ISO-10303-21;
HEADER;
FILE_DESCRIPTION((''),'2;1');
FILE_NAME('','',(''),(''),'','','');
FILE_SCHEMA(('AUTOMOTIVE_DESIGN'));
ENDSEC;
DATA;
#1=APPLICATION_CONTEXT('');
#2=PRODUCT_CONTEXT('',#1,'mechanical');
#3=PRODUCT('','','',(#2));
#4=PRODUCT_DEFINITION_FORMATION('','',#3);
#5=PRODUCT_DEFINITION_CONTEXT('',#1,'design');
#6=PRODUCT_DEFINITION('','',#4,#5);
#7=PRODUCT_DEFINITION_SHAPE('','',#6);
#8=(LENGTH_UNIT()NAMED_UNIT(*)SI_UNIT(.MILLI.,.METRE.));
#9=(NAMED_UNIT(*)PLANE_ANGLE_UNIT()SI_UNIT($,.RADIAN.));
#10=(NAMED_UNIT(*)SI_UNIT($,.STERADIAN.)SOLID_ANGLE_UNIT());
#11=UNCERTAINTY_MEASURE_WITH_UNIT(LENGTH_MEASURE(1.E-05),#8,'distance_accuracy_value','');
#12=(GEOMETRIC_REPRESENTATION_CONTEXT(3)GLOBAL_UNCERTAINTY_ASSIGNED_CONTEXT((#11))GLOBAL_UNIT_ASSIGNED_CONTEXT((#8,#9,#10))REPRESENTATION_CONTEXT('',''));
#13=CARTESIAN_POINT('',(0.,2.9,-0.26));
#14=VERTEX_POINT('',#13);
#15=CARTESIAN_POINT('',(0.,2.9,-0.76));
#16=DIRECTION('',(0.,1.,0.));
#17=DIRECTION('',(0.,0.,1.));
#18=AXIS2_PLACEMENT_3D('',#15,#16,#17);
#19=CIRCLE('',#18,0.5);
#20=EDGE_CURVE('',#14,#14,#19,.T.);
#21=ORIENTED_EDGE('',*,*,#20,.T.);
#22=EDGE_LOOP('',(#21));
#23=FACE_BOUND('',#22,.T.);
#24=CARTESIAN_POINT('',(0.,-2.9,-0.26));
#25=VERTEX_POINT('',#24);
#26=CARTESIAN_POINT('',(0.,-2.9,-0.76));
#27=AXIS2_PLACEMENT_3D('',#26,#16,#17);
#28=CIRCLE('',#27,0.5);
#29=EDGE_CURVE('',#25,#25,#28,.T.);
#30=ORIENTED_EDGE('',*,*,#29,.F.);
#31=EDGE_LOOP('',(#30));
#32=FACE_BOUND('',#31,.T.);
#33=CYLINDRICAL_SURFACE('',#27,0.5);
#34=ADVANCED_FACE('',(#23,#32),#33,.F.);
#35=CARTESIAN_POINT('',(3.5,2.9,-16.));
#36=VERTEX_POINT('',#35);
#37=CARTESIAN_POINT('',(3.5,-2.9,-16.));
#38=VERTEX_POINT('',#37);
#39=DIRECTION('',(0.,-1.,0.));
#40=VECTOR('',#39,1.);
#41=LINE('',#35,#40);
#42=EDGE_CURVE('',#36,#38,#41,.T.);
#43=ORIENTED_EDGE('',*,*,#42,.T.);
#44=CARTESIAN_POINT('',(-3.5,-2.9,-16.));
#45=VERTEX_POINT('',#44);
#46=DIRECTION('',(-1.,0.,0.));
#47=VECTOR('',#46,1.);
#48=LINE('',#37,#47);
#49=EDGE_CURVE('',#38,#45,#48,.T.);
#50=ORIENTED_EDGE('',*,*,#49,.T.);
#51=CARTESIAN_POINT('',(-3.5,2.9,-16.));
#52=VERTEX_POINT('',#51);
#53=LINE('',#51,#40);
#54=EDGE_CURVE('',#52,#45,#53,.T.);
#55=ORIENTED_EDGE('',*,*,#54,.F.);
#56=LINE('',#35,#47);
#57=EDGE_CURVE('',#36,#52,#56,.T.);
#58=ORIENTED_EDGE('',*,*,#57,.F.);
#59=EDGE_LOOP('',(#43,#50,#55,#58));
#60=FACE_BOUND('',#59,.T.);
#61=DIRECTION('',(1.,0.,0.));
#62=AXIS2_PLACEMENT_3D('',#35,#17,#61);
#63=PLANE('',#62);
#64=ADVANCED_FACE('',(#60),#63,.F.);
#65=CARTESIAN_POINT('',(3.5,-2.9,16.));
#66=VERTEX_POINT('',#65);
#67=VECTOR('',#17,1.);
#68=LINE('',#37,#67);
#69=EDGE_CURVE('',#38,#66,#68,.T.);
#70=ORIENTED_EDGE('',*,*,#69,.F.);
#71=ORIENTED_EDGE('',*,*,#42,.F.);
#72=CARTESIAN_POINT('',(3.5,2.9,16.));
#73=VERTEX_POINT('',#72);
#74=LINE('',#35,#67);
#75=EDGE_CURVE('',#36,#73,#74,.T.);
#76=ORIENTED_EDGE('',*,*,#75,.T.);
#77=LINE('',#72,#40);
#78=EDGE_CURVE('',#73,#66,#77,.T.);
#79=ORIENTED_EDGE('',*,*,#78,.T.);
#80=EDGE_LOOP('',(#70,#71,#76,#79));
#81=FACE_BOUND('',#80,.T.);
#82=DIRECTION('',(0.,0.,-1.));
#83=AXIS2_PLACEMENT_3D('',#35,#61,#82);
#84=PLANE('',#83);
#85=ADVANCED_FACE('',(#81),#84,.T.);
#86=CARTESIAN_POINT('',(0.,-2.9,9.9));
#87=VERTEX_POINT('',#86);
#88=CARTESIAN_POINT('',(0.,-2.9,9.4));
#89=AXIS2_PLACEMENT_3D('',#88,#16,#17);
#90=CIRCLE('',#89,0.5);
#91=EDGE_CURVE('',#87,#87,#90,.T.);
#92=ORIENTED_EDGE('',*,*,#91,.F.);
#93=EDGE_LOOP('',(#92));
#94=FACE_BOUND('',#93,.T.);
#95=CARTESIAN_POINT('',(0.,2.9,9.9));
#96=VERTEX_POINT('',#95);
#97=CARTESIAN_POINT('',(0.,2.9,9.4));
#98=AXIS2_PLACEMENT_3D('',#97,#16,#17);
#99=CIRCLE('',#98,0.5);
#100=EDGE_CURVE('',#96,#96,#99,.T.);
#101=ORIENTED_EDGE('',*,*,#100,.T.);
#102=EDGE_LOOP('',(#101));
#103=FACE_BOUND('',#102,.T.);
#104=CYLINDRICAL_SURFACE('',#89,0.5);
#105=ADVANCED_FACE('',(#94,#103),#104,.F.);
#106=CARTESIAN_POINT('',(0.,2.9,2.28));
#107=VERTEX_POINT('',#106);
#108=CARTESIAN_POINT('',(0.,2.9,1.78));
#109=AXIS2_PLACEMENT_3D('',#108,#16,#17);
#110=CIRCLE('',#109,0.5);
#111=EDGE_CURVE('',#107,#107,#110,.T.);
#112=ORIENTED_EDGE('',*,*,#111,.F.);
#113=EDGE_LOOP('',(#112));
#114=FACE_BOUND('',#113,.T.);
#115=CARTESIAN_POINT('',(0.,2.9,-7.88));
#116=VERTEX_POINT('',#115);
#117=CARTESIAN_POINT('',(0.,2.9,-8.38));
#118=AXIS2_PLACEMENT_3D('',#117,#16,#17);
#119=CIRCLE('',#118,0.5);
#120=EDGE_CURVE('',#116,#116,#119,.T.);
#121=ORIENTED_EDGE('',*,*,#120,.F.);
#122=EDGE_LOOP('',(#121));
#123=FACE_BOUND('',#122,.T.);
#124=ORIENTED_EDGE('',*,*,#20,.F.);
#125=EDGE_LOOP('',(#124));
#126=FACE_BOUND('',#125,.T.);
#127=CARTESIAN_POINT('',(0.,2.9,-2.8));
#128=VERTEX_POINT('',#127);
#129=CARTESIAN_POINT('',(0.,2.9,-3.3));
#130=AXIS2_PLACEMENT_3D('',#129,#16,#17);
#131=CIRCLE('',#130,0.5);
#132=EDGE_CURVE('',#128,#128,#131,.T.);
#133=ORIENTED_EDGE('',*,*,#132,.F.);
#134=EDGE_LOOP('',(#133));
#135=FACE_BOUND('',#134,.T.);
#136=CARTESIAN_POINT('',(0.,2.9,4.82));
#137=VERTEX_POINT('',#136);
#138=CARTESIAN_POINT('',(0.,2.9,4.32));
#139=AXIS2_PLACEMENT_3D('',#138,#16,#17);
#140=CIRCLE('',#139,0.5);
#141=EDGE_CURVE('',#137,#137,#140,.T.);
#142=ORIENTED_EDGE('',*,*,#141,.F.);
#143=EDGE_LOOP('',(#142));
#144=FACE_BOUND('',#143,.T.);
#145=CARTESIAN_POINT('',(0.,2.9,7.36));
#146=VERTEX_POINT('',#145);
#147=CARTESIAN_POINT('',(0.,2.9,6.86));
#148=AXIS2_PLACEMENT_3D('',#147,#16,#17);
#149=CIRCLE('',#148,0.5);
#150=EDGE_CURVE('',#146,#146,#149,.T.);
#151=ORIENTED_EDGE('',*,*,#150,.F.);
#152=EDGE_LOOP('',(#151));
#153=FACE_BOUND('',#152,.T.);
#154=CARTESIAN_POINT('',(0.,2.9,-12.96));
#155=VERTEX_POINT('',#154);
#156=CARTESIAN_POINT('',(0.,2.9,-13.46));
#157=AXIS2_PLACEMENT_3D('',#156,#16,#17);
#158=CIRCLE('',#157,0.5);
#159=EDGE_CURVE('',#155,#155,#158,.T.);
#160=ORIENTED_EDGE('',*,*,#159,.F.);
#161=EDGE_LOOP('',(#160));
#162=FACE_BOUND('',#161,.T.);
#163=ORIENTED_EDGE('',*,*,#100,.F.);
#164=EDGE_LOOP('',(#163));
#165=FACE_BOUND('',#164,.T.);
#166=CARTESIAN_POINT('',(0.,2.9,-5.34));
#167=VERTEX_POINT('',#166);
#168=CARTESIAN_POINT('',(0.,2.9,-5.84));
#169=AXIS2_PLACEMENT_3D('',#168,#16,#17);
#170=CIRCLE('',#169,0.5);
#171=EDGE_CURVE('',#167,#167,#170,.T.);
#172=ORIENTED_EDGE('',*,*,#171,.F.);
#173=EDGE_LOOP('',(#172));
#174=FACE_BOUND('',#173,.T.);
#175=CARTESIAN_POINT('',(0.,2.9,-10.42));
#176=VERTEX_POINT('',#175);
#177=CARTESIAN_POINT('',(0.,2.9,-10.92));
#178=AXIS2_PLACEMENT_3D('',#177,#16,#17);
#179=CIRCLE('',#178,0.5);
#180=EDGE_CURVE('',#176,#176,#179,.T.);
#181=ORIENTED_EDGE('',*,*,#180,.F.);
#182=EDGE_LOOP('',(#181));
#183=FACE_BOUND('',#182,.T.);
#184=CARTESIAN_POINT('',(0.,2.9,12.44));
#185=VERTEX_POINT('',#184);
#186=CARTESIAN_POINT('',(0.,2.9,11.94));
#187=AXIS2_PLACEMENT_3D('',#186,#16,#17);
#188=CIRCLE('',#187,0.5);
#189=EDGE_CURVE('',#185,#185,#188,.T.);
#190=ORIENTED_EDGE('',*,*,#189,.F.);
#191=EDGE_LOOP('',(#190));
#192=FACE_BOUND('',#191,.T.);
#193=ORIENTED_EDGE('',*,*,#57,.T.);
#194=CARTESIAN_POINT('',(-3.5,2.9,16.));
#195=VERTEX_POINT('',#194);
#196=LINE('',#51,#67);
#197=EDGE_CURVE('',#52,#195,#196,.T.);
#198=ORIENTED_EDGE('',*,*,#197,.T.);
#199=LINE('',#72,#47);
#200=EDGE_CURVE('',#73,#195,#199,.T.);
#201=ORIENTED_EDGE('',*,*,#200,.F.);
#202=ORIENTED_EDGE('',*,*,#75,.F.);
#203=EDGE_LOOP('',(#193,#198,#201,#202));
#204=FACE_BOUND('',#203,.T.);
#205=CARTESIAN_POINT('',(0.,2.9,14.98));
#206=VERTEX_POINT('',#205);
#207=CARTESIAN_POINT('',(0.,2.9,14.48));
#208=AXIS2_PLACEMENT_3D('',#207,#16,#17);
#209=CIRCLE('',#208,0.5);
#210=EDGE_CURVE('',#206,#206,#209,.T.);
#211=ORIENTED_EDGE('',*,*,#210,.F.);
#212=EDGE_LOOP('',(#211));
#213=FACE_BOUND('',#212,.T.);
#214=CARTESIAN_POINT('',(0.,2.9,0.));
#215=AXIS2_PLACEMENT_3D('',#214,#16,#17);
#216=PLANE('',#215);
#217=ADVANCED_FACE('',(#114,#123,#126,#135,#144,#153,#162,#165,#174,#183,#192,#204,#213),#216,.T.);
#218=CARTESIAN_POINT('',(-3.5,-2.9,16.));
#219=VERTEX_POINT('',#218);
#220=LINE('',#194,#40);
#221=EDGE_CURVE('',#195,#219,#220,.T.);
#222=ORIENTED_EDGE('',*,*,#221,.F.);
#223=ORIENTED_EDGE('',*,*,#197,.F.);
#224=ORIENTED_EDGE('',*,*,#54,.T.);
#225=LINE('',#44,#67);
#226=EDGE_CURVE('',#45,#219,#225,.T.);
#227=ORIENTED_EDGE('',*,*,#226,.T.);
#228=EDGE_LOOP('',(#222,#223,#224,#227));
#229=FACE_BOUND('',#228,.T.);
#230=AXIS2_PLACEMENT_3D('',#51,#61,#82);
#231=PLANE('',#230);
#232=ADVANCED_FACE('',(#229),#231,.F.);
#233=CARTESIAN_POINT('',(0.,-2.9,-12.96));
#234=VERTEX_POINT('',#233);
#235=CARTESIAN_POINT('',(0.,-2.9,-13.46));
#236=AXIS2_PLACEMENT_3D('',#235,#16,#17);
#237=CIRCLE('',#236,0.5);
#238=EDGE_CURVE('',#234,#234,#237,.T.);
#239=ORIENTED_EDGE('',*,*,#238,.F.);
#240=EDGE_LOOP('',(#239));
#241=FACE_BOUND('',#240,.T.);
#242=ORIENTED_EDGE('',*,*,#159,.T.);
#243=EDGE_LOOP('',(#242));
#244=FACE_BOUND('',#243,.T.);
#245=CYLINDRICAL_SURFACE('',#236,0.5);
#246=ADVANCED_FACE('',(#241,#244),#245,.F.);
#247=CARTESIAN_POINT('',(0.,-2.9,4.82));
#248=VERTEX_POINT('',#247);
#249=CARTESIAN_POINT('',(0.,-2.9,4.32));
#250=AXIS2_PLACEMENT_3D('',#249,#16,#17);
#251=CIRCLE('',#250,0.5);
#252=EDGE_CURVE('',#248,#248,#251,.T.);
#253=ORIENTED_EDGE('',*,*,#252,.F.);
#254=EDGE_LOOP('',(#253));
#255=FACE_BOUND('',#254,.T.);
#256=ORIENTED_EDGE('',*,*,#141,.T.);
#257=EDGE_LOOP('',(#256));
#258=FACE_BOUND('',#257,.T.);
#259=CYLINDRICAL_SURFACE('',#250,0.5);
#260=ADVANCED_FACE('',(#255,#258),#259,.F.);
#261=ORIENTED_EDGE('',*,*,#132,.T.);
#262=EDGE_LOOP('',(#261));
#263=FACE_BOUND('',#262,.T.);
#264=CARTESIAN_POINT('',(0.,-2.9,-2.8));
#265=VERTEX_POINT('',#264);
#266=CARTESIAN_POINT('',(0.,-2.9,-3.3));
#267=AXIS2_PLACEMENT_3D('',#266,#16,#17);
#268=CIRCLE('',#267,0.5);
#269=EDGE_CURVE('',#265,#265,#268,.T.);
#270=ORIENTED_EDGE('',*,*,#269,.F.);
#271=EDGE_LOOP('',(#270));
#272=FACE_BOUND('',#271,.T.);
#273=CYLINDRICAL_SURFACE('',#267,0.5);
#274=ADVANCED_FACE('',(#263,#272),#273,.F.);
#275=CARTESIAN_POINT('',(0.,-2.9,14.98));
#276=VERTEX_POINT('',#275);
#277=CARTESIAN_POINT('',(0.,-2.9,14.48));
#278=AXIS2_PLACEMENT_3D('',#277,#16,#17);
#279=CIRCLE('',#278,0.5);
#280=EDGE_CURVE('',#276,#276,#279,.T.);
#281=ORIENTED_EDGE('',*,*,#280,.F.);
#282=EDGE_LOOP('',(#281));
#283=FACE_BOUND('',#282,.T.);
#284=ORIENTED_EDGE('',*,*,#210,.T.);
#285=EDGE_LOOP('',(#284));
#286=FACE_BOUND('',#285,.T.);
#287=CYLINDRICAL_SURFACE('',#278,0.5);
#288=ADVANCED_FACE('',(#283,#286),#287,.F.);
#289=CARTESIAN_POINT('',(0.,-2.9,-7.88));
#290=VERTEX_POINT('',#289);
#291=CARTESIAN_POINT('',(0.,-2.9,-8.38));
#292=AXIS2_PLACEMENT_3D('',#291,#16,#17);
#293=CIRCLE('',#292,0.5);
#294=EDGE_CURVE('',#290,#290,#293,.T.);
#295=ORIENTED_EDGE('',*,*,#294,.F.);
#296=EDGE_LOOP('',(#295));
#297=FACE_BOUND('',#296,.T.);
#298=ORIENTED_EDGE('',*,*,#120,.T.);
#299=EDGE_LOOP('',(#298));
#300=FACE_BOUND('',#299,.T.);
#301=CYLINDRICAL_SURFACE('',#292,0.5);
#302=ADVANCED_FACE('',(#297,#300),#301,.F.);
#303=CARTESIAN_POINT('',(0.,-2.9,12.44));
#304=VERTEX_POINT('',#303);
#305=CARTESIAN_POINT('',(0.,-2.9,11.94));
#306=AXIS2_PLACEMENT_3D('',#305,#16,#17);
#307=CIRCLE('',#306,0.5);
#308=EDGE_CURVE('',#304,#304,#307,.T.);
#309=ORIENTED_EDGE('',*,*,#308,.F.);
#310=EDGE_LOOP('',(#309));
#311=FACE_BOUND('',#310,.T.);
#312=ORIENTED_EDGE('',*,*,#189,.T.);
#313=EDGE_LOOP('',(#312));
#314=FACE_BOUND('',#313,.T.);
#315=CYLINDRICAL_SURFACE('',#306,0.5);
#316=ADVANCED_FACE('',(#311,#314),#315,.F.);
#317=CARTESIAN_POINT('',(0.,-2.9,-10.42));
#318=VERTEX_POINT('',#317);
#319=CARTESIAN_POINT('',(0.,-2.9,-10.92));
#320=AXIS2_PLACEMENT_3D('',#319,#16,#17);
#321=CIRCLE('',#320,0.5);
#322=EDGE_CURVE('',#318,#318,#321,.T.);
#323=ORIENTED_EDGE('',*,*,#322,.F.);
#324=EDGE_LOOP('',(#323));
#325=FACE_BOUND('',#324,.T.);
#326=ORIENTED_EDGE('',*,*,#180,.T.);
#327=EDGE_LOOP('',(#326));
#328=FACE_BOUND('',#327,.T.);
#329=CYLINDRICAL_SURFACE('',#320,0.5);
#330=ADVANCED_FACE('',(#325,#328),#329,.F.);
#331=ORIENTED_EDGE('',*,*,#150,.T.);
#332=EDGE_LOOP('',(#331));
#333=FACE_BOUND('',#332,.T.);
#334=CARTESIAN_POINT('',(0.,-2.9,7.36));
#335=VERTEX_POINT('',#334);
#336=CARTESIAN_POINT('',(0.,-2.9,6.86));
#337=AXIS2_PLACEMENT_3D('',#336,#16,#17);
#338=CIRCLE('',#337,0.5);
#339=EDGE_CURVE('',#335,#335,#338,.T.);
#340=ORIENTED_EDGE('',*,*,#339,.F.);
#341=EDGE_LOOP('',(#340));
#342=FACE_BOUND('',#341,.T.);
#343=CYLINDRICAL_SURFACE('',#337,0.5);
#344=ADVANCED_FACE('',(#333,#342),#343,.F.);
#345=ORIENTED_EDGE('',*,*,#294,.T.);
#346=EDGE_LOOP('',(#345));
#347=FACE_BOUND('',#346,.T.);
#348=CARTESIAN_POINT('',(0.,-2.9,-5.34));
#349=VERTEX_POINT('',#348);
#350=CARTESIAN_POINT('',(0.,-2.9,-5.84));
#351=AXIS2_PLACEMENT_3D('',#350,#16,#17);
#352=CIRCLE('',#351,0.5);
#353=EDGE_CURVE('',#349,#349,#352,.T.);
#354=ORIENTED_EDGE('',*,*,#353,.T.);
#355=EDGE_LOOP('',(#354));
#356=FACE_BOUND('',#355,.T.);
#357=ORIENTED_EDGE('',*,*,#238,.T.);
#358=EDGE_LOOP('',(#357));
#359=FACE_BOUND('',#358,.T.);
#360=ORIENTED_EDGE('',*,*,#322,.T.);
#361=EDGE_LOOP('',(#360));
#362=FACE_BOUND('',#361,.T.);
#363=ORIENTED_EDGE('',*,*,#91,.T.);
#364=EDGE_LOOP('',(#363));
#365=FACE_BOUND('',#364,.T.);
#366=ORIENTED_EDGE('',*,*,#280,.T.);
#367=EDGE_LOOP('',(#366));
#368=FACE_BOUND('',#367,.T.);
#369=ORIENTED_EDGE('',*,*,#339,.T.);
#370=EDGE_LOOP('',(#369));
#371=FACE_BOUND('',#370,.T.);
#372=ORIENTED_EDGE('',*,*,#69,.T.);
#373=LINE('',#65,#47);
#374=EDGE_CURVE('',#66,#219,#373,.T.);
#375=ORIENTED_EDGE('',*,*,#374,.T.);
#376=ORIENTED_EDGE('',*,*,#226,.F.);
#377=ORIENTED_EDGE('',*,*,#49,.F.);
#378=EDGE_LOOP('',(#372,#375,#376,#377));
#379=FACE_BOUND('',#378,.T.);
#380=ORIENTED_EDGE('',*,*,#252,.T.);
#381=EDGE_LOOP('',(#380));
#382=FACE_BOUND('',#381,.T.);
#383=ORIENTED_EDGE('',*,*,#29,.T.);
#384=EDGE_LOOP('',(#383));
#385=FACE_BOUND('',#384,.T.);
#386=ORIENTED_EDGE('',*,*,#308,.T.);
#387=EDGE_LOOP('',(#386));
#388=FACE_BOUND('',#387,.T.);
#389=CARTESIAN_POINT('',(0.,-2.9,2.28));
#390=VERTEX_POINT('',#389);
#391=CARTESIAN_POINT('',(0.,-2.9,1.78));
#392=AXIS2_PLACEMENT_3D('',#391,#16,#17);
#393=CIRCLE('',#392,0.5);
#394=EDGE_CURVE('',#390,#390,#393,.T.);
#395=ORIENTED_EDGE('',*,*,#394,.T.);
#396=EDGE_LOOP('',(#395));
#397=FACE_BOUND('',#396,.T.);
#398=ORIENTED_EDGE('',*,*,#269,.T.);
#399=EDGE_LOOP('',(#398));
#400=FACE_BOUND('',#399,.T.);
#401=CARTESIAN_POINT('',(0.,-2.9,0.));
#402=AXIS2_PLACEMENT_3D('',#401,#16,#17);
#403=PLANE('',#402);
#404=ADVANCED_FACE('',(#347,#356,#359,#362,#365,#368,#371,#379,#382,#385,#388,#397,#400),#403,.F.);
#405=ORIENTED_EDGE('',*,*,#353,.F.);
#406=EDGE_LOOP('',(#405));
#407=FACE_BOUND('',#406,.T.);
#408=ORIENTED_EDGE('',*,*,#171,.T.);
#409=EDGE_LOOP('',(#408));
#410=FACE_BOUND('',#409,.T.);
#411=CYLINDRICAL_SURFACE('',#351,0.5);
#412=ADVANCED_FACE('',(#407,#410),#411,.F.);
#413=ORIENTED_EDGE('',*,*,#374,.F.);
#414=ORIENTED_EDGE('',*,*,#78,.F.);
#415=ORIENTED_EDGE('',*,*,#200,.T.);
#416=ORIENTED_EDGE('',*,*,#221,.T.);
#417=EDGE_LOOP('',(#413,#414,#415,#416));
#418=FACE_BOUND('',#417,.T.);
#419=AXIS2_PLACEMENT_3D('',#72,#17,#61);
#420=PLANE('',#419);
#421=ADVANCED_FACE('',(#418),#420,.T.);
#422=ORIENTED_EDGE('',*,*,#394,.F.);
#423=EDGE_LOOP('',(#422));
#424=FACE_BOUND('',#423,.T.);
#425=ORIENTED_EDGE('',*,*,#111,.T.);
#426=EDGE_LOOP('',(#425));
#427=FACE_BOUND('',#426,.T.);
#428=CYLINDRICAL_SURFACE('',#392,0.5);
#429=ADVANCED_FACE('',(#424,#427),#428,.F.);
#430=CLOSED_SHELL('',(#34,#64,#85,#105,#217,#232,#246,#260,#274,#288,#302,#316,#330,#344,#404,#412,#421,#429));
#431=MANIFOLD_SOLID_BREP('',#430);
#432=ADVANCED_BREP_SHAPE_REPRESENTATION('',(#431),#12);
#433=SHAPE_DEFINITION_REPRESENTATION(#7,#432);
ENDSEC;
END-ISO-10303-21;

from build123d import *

# Parameters (mm, degrees)
SKETCH1_W           = 7
SKETCH1_H           = 32
BOSS_EXTRUDE1_DEPTH = 2.9
SKETCH2_R           = 0.5
CUT_EXTRUDE1_DEPTH  = 6.8
LPATTERN1_COUNT     = 12
LPATTERN1_PITCH     = 2.54


with BuildPart() as part:
    # Sketch1 → Boss-Extrude1 (new body, symmetric)
    with BuildSketch(Plane(origin=(0, 0, 0), x_dir=(1, 0, 0), z_dir=(0, 1, 0))):
        Rectangle(SKETCH1_W, SKETCH1_H)
    extrude(amount=BOSS_EXTRUDE1_DEPTH, both=True)

    # Sketch2 → Cut-Extrude1 (cut, through all)
    with BuildSketch(Plane(origin=(0, 2.9, 0), x_dir=(1, 0, 0), z_dir=(0, 1, 0))):
        with Locations((0, 13.46)):
            Circle(SKETCH2_R)
    cut_extrude1 = extrude(amount=-CUT_EXTRUDE1_DEPTH, mode=Mode.SUBTRACT)

    # LPattern1: Cut-Extrude1 ×12
    with Locations(*[(0, 0, i * LPATTERN1_PITCH) for i in range(1, LPATTERN1_COUNT)]):
        add(cut_extrude1, mode=Mode.SUBTRACT)


solid = part.part
